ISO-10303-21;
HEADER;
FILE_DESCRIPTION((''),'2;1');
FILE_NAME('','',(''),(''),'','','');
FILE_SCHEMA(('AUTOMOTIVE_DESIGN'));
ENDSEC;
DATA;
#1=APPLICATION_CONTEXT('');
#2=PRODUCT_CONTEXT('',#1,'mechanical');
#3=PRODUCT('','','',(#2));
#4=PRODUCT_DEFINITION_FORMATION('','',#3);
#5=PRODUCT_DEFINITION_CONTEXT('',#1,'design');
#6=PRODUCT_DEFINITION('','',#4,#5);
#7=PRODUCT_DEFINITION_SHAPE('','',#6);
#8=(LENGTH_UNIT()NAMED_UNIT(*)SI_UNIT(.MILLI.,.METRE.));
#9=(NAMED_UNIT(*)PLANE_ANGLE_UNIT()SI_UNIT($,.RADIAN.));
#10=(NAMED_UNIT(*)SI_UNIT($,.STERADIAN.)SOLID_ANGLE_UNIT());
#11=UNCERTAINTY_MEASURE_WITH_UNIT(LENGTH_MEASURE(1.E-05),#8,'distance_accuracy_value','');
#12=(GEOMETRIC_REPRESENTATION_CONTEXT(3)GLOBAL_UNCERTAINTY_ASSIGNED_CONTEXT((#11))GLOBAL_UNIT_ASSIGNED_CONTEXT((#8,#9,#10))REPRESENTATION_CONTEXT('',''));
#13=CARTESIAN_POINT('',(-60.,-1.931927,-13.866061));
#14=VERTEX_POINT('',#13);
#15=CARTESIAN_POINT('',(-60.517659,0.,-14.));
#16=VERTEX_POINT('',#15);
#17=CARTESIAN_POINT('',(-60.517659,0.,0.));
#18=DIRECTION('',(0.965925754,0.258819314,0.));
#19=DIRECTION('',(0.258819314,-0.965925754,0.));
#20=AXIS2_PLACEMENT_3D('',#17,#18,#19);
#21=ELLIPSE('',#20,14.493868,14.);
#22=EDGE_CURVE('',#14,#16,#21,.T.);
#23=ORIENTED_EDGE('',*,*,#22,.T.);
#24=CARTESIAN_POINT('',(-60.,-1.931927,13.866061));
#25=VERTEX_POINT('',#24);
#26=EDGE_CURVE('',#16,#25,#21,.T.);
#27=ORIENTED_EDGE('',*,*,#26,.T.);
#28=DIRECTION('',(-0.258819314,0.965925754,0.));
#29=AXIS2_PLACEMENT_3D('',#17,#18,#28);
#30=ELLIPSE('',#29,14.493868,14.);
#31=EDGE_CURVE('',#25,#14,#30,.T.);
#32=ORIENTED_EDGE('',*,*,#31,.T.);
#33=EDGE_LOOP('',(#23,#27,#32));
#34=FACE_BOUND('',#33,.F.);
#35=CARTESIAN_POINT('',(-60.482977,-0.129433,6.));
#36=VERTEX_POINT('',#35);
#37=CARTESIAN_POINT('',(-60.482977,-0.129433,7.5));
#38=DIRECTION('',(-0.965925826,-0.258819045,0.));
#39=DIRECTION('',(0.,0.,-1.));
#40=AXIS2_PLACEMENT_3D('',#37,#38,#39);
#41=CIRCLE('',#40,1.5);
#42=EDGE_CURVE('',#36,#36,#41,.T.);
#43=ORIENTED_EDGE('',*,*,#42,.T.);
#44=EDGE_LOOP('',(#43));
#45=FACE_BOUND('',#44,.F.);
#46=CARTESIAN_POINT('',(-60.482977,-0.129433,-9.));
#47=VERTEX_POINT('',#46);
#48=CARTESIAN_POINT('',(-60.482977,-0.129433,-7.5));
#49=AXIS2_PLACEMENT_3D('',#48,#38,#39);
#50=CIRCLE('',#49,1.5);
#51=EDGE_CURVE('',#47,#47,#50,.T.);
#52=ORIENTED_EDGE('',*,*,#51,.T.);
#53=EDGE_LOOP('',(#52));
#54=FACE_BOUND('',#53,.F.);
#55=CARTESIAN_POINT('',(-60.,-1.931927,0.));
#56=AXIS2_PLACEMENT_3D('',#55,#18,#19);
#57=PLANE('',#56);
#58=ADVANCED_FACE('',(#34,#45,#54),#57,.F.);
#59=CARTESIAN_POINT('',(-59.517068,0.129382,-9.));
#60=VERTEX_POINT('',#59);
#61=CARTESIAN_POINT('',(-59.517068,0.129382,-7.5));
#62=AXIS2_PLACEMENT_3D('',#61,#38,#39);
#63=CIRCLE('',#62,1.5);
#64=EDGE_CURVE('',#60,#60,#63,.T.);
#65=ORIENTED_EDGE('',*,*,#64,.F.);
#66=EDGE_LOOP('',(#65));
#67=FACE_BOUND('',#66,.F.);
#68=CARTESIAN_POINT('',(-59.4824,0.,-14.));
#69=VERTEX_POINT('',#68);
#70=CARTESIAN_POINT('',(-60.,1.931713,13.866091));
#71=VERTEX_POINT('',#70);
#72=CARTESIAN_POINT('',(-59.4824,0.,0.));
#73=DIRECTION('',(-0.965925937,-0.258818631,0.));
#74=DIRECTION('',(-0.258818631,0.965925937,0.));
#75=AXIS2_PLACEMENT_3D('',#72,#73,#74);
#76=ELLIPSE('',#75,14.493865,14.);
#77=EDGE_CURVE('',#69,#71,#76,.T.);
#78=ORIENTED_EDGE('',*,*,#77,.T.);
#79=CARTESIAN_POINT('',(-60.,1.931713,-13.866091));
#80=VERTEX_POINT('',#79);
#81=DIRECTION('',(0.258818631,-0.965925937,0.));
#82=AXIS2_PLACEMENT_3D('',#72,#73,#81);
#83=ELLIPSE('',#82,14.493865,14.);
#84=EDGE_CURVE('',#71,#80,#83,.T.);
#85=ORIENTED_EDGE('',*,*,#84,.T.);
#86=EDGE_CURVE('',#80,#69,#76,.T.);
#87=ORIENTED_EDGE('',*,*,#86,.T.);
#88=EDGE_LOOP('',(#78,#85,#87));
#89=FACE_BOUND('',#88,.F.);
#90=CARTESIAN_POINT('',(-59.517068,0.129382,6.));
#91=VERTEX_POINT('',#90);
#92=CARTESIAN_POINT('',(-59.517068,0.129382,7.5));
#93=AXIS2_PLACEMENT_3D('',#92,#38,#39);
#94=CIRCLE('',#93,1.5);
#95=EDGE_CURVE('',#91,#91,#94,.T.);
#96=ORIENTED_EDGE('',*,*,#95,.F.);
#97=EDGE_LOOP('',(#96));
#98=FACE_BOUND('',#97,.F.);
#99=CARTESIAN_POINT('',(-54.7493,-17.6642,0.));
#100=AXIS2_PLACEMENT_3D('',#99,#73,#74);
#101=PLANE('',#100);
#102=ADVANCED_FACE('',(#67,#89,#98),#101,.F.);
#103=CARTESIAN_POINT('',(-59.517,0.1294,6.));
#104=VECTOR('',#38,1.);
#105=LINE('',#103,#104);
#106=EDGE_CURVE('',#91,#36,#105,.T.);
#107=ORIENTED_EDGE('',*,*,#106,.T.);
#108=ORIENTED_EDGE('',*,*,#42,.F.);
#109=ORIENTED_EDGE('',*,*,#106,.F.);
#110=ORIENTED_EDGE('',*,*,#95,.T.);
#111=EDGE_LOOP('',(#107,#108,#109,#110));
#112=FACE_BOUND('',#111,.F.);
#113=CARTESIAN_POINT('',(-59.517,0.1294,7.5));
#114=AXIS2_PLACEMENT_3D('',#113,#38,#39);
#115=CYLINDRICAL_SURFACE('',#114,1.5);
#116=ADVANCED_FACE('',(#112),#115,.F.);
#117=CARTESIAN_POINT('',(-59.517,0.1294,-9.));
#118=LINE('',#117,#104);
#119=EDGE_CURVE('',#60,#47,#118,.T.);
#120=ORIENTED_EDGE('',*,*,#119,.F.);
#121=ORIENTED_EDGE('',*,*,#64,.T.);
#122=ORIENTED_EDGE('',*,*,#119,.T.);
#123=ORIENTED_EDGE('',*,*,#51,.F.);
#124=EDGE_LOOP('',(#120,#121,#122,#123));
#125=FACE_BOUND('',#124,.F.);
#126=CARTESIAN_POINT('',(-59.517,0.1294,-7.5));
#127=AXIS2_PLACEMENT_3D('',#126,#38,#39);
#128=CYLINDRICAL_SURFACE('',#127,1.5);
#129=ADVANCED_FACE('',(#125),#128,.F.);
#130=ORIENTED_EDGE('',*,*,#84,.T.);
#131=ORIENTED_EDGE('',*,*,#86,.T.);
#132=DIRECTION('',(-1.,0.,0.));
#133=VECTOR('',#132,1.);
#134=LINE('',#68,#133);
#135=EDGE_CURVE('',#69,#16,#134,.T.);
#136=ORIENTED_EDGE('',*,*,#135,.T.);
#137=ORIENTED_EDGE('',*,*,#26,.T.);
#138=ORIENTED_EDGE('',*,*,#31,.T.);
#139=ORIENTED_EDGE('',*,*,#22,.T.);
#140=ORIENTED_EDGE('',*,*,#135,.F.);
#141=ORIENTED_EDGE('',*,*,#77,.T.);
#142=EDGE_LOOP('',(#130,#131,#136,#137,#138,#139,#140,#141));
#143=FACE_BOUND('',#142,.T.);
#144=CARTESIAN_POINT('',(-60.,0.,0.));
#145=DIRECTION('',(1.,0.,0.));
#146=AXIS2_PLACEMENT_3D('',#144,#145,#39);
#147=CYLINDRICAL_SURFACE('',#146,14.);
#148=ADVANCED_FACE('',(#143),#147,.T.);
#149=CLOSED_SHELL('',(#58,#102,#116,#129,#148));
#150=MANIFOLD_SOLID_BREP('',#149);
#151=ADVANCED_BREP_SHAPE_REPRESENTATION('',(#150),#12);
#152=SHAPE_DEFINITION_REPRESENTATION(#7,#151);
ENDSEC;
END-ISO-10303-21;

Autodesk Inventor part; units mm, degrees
ref_plane "YZ Plane" through (0, 0, 0) normal (1, 0, 0) x (0, 1, 0)
ref_plane "XY Plane" through (0, 0, 0) normal (0, 0, 1) x (1, 0, 0)
ref_plane "Work Plane1" through (0, 0, 0) normal (0, 0, 1) x (1, 0, 0)
sketch "Sketch1" plane through (0, 0, 0) normal (0, 0, 1) x (1, 0, 0)
  line L0 (-58.0302, -14) -> (-60.5225, -14) construction
  line L1 (-54.7493, -17.6642) -> (-59.4824, 0)
  line L2 (-65.1814, 17.4053) -> (-55.7152, -17.923)
  line L3 (-59.4824, 0) -> (-60.5176, 0) construction
  line L4 (-144, 0) -> (-60.5176, 0) construction
  line L5 (-47.8265, 0) -> (-82.556, 0) construction
  line L6 (-64.2155, 17.6642) -> (-65.1814, 17.4053)
  line L7 (-55.7152, -17.923) -> (-54.7493, -17.6642)
  line L8 (-59.4824, 0) -> (-64.2155, 17.6642)
  line L9 (-60.5176, 0) -> (24, 0) construction
  line L10 (-144, 0) -> (24, 0)
  line L11 (-60, 54.8295) -> (-60, -83.9771)
  point P0 (0, 0)
  point P1 (-60, 0)
  dimension "d2" = 1
  dimension "d28" = 17.6642
  dimension "d29" = 15
extrude "Extrusion1" add sketch "Sketch1" along normal blind 30 and the other way blind 30
ref_plane "Work Plane2" through (-60, 0, -16) normal (1, 0, 0) x (0, 0, -1)
sketch "Sketch2" plane through (-60, 0, -16) normal (1, 0, 0) x (0, 0, -1)
  circle A0 centre (-16, 0) radius 17.5
  dimension "d26" = 35
extrude "Extrusion2" cut sketch "Sketch2" along normal mid plane 30 keep common part
sketch "Sketch5" plane through (-60, 0, -16) normal (1, 0, 0) x (0, 0, -1)
  circle A0 centre (-16, 0) radius 14
  dimension "d30" = 28
extrude "Extrusion4" cut sketch "Sketch5" along normal mid plane 10 keep common part
sketch "Sketch7" plane through (-59.4824, 0, 0) normal (0.9659, 0.2588, 0) x (0, 0, -1)
  line L0 (-33.8, 0.134) -> (-42.2, 0.134) construction
  line L1 (-86, 0.134) -> (89, 0.134) construction
  line L2 (-86, 0.134) -> (89, 0.134) construction
  circle A0 centre (7.5, 0.134) radius 1.5 construction
  circle A1 centre (-7.5, 0.134) radius 1.5 construction
  line L3 (0, -21.4266) -> (0, 20.7932) construction
  point P0 (0, -15.3952)
  dimension "d34" = 3
  dimension "d35" = 7.5
  dimension "d36" = 7.5
hole "Hole2" at (-59.517, 0.1294, -7.5) at (-59.517, 0.1294, 7.5) direction (-0.9659, -0.2588, 0) diameter 3 end through all
properties part number "butterfly" material "Brass, Soft Yellow"
